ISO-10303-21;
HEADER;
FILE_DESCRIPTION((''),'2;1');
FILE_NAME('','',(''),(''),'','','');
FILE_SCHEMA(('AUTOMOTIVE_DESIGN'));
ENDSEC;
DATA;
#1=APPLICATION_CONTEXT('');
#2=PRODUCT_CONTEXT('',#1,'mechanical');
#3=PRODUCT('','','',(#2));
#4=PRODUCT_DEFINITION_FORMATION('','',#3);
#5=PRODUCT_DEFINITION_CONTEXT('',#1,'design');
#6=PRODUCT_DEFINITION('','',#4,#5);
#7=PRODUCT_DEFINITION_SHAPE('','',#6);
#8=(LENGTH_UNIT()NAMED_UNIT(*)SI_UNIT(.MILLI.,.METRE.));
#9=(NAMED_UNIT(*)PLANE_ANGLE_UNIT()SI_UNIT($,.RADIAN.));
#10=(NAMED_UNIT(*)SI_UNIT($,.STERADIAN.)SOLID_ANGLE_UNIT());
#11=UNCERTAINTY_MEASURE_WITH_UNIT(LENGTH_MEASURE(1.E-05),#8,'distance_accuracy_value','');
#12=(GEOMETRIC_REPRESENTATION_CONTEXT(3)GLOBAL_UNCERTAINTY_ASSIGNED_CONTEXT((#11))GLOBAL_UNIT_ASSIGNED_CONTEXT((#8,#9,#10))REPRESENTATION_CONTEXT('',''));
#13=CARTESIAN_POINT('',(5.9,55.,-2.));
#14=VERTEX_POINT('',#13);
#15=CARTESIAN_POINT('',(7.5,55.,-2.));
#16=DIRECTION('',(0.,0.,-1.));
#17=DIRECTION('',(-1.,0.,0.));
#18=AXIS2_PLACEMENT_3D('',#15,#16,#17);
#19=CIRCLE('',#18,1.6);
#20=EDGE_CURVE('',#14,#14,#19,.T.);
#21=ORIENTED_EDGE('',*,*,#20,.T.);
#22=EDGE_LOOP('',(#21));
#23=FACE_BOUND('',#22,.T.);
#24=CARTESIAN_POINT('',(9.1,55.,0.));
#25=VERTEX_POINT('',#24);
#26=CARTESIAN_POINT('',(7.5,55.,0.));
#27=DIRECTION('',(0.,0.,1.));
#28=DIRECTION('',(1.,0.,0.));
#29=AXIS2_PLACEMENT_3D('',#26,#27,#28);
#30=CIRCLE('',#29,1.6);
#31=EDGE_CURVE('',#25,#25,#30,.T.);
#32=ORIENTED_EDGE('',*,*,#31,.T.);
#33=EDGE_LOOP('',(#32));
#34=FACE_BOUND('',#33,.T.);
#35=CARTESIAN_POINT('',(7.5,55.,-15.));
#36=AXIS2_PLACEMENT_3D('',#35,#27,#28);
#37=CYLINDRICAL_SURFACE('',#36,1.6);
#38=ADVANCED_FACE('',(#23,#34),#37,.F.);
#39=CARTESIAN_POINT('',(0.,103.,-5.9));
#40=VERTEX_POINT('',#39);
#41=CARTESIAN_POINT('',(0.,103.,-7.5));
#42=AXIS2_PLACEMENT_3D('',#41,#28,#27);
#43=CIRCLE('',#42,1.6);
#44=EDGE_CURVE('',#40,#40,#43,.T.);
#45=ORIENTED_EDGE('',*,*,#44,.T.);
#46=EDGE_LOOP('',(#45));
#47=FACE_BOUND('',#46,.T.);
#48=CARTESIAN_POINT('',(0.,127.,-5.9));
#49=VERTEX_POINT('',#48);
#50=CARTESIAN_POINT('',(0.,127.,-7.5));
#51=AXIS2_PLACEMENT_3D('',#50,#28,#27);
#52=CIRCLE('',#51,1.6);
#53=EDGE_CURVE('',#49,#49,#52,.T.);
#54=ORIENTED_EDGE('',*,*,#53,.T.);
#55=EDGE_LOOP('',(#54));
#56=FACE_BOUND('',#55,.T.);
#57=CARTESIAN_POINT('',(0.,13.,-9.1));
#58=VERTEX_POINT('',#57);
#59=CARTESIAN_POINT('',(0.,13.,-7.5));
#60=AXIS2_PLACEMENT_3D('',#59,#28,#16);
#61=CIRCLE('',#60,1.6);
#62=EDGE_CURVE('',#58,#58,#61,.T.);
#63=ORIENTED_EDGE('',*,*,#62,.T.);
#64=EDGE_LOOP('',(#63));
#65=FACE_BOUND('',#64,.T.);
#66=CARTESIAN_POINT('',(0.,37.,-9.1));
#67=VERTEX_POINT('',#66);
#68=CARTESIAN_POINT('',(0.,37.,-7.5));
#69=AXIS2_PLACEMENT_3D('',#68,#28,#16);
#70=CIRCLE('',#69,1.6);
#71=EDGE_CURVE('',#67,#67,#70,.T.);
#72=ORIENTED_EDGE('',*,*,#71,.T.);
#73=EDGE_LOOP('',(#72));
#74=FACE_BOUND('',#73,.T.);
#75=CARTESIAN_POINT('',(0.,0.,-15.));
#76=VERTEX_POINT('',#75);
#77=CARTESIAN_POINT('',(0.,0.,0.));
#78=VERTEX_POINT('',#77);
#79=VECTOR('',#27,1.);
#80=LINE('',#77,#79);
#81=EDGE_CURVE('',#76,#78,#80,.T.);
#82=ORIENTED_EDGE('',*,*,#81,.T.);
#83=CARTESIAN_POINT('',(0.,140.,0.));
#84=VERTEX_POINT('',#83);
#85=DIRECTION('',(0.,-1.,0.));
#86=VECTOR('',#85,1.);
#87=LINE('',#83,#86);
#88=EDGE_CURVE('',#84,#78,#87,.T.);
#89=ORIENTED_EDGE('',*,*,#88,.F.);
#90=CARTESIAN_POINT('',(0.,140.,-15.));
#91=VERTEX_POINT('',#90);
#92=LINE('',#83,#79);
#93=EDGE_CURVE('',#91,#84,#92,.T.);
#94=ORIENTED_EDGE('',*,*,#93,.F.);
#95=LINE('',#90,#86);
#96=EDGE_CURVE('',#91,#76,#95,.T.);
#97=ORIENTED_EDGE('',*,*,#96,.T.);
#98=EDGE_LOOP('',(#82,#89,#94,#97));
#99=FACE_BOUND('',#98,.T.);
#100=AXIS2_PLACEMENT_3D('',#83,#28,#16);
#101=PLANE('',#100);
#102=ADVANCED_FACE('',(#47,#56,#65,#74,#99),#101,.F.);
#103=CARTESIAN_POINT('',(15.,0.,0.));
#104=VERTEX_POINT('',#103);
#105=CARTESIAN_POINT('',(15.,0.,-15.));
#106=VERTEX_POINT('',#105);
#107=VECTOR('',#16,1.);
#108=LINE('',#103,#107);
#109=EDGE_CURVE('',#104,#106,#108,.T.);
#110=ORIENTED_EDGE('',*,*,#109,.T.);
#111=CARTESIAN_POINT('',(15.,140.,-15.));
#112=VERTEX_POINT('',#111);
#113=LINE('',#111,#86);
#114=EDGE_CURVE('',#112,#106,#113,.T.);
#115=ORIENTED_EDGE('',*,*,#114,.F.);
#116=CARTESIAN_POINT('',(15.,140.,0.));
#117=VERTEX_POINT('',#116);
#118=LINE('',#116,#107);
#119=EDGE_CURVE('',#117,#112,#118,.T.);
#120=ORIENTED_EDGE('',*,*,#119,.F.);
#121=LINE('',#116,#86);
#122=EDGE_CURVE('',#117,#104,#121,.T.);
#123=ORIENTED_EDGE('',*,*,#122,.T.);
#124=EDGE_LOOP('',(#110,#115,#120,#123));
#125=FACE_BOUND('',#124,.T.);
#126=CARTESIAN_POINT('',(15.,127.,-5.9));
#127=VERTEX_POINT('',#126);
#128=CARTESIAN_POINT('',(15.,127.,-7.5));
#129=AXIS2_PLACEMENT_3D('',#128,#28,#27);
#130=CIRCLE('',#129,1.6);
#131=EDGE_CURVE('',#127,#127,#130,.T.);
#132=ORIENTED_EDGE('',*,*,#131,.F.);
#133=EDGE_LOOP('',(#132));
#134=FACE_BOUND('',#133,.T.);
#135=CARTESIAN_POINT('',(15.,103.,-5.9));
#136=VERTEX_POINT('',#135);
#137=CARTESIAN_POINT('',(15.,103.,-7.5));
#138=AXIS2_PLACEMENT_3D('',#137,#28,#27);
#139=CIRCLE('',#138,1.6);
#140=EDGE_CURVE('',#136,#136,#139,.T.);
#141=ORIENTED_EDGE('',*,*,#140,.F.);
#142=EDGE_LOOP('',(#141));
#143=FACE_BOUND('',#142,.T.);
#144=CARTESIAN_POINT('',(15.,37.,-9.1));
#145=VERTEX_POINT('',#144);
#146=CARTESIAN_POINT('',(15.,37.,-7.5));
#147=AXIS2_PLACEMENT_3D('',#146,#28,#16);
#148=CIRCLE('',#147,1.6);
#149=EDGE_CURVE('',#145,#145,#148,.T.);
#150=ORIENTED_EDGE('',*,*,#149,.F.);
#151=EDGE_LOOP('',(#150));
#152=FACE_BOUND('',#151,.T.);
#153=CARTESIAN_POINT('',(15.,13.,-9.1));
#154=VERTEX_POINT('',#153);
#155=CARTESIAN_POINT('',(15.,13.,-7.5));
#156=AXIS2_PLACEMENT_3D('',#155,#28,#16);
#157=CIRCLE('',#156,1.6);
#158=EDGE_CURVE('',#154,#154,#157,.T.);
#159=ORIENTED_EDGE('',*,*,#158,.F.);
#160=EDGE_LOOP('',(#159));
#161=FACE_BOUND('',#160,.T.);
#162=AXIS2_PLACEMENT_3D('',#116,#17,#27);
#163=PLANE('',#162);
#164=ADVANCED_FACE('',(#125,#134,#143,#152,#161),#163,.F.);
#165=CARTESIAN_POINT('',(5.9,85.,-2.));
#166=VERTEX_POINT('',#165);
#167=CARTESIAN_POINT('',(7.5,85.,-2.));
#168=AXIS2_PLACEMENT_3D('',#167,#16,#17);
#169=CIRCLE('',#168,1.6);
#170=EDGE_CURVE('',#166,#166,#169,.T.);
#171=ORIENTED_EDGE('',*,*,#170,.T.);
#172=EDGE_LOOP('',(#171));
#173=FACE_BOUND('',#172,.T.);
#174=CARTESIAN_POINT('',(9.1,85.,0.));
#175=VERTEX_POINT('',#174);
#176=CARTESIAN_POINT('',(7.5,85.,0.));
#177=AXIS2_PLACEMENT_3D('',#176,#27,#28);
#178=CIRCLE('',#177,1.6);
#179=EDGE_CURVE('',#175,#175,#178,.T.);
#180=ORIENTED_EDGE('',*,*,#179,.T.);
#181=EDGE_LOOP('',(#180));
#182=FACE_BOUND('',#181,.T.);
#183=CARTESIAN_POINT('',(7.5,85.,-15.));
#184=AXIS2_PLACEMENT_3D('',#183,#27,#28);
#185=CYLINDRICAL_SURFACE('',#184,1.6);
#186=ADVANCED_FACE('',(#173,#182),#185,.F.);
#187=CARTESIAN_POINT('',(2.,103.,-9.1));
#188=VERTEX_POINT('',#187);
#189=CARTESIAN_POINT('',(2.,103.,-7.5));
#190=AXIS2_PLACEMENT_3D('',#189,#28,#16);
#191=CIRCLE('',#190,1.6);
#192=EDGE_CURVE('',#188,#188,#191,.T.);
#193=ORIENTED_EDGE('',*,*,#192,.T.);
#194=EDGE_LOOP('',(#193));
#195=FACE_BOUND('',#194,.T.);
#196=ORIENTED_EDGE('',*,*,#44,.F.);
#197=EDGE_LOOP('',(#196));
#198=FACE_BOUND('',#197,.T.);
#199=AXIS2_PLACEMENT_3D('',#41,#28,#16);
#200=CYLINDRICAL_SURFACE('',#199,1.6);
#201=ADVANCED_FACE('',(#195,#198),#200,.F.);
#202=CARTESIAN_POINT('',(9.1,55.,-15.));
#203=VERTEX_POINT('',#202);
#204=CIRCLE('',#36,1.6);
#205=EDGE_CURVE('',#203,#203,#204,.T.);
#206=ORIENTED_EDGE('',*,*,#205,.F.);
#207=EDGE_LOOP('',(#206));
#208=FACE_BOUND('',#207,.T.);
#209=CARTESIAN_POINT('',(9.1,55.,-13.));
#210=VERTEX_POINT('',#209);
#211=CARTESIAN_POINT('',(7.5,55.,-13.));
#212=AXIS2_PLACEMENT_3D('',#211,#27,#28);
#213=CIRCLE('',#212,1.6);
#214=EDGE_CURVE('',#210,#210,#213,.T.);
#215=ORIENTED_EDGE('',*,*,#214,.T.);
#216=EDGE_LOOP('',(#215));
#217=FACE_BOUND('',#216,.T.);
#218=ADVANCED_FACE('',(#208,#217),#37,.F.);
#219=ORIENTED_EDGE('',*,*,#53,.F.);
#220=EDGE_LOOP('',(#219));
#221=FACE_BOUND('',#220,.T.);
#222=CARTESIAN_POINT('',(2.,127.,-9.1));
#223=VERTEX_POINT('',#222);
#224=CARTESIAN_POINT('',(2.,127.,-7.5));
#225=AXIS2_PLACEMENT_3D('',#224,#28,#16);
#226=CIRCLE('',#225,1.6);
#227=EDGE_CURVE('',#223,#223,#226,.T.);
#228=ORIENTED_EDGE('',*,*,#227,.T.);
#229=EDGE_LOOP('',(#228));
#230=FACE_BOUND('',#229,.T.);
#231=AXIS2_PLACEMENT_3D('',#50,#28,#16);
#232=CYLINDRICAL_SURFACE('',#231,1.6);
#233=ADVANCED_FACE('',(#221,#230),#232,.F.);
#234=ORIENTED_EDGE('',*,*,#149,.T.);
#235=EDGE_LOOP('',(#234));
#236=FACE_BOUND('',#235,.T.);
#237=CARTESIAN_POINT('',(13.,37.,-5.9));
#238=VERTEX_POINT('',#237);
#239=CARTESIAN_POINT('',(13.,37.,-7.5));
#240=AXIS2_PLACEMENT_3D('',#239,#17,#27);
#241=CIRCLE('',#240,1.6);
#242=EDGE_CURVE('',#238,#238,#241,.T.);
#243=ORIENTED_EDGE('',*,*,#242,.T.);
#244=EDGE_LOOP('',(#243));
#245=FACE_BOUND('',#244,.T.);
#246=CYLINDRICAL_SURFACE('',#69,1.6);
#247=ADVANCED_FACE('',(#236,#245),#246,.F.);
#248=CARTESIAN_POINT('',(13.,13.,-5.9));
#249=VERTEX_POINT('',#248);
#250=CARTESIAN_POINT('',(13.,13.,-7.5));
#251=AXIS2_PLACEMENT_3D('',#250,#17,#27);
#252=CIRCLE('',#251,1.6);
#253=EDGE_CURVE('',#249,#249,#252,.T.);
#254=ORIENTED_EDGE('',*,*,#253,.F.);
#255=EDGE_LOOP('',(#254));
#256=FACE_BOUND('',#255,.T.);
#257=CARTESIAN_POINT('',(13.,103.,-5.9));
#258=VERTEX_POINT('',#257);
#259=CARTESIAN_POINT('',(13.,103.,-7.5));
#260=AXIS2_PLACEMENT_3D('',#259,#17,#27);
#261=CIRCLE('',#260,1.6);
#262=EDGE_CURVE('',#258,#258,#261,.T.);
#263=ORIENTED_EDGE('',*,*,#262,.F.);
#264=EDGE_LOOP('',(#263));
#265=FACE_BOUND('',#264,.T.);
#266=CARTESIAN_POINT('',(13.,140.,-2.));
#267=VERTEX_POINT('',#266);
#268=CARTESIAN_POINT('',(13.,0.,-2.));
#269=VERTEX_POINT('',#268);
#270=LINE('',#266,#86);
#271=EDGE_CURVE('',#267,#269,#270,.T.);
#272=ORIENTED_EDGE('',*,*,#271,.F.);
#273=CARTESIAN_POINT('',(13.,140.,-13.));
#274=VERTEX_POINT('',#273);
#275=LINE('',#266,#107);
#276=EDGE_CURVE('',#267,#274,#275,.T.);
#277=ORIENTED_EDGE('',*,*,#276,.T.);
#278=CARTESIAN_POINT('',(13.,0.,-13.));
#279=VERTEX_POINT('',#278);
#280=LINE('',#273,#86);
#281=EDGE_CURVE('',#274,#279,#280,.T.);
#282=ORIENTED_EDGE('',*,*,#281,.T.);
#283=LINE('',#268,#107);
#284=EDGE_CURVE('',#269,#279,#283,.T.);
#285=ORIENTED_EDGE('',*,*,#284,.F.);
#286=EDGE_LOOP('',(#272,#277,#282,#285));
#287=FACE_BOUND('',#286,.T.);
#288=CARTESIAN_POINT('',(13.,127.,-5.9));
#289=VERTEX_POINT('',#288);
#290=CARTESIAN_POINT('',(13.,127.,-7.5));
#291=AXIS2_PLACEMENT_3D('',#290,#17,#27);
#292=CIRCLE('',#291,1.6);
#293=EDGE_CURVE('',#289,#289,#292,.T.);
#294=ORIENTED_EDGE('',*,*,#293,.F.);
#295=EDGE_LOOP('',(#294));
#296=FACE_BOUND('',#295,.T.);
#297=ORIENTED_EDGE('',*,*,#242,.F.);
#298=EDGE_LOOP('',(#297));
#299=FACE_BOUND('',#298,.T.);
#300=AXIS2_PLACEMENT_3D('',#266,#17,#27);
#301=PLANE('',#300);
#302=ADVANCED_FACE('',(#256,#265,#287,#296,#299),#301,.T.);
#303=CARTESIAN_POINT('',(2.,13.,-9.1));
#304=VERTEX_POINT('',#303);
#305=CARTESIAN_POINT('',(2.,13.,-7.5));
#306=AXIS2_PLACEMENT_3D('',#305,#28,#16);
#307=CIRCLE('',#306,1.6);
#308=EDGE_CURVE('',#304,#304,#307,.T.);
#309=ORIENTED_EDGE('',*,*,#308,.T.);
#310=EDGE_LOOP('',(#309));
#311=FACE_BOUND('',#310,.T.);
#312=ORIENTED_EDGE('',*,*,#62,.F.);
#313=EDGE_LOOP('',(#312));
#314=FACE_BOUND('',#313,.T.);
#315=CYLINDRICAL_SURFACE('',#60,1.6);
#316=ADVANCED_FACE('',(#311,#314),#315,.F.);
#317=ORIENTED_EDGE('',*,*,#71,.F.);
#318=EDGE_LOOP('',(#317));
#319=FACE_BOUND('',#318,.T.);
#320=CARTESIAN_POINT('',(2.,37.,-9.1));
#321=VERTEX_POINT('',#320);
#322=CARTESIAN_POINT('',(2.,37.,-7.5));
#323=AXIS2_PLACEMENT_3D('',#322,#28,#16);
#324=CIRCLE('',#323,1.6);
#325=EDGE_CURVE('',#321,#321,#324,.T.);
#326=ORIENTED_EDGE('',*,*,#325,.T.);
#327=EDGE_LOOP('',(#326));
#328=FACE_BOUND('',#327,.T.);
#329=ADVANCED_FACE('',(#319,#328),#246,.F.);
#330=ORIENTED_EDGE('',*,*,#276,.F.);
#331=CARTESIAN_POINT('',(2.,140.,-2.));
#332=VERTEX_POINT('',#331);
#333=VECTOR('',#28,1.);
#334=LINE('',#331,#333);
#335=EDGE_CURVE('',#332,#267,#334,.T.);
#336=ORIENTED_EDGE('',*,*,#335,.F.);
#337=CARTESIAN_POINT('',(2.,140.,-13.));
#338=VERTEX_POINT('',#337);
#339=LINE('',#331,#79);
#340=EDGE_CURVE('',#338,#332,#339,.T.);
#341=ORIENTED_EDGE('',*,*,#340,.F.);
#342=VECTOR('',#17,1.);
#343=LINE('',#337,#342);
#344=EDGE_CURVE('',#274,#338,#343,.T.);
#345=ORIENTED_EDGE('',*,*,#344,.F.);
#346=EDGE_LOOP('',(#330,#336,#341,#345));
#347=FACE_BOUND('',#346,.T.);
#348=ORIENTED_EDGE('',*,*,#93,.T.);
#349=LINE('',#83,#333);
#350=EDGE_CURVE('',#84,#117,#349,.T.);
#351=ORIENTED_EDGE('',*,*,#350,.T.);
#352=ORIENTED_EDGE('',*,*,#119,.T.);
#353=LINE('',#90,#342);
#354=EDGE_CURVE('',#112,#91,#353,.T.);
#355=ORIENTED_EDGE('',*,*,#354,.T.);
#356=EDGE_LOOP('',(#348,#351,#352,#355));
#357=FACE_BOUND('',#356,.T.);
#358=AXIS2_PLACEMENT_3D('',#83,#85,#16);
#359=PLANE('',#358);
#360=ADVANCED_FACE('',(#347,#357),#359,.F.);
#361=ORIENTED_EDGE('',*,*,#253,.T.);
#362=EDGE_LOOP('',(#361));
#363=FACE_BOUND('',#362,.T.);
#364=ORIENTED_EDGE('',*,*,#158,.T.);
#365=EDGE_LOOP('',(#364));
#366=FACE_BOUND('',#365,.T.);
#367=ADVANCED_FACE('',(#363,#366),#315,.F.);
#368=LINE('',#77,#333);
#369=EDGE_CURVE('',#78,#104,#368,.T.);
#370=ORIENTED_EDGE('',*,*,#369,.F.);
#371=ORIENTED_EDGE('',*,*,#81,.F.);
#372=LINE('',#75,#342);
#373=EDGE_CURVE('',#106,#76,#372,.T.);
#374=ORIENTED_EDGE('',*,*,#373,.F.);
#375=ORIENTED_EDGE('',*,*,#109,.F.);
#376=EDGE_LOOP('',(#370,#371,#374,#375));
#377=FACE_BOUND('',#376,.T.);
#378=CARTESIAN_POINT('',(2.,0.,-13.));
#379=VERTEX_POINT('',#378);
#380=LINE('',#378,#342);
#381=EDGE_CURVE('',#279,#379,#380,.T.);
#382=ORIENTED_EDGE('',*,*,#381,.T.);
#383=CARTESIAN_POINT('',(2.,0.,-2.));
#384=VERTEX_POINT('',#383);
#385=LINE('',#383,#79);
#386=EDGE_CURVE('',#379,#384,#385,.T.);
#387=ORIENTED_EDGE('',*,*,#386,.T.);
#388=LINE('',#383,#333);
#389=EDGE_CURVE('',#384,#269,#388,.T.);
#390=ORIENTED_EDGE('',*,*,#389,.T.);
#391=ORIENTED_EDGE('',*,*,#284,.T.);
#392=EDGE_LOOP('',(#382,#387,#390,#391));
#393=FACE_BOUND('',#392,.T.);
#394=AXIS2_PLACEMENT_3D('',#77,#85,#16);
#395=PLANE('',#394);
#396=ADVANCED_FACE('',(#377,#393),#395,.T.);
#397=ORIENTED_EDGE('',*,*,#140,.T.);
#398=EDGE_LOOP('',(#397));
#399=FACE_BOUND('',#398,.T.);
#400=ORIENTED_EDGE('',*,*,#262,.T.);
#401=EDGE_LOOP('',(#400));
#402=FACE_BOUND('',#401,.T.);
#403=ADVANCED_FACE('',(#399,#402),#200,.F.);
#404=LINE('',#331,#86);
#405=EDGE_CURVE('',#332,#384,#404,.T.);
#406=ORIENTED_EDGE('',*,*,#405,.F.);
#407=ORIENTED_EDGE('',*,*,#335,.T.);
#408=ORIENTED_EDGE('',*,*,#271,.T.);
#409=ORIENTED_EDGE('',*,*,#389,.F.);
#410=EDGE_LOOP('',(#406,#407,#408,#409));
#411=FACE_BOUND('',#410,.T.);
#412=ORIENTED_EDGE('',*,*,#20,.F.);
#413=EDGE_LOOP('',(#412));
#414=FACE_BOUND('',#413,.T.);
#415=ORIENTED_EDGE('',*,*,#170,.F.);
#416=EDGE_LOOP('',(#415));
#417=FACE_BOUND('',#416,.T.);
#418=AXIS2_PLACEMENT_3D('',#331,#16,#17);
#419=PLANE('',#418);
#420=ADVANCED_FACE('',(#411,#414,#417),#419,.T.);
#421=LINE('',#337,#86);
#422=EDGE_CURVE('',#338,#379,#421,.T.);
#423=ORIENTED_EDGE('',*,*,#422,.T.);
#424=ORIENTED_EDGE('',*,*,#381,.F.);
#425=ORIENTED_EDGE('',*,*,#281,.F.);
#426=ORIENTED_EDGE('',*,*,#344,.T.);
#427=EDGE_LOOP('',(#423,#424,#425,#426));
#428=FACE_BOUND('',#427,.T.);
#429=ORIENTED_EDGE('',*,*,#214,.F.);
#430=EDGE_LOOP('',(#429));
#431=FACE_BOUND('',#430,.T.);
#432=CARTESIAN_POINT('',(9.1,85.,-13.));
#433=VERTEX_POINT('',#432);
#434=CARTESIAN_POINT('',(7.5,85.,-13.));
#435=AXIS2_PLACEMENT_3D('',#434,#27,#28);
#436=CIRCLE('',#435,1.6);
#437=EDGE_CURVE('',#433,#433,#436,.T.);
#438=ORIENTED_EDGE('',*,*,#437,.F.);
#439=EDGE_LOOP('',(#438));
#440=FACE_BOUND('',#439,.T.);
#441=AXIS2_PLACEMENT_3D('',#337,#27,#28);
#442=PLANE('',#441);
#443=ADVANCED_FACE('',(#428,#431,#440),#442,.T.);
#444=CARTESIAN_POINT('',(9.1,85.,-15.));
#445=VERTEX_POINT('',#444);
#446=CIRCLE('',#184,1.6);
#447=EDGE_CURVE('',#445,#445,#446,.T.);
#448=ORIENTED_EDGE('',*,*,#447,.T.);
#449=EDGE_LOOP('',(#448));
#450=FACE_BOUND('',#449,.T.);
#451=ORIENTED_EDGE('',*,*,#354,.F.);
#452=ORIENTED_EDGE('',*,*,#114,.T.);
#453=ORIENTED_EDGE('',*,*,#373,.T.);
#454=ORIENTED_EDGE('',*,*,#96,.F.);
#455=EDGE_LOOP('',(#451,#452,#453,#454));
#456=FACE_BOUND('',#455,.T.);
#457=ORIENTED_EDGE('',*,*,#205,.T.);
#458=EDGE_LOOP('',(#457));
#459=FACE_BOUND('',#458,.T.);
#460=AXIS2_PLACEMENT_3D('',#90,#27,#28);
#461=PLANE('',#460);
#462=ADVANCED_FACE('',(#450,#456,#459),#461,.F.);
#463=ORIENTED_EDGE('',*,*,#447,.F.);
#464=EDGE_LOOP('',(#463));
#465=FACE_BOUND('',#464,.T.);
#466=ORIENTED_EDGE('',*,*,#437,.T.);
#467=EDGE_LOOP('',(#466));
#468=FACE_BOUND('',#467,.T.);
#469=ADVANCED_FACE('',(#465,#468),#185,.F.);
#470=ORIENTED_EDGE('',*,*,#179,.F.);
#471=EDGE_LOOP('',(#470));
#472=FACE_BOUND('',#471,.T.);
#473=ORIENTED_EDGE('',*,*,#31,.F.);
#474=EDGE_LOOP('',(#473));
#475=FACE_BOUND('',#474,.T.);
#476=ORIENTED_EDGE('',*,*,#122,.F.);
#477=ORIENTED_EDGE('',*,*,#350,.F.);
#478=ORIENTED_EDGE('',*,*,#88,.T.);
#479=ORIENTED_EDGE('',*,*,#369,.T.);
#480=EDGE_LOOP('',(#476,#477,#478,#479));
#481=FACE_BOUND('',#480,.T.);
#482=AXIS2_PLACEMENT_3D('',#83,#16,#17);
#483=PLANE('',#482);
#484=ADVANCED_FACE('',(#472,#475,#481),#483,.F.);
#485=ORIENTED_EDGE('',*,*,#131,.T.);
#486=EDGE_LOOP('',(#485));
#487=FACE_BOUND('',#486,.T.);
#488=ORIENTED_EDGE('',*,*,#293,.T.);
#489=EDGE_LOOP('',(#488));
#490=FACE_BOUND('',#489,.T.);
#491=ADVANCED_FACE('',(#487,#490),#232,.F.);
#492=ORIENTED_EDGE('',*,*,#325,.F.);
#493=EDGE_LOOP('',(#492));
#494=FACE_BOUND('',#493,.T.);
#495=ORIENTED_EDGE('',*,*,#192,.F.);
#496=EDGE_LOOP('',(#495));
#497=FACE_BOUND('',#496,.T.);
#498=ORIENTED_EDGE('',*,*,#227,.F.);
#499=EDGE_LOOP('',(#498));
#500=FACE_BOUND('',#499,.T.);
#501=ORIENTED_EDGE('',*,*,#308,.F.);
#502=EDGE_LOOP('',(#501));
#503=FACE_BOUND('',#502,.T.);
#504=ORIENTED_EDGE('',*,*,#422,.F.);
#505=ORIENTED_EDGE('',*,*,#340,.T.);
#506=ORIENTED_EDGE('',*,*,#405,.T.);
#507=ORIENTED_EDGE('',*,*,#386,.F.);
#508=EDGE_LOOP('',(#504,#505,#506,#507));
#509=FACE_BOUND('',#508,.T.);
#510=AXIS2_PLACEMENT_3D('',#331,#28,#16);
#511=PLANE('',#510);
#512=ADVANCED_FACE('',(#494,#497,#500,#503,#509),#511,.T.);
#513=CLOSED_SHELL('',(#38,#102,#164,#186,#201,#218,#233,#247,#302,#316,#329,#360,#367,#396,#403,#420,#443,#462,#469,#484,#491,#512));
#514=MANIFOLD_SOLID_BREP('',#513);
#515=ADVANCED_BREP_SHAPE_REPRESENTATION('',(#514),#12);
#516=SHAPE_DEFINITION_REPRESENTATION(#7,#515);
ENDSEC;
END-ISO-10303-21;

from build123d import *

# Parameters (mm, degrees)
SKETCH1_W           = 15
SKETCH1_H           = 15
SKETCH1_W_2         = 11
SKETCH1_H_2         = 11
BOSS_EXTRUDE1_DEPTH = 140
SKETCH2_R           = 1.6
CUT_EXTRUDE1_DEPTH  = 142.598022585
SKETCH3_R           = 1.6
CUT_EXTRUDE2_DEPTH  = 142.598022585


with BuildPart() as part:
    # Sketch1 → Boss-Extrude1 (new body)
    with BuildSketch(Plane(origin=(0, 0, 0), x_dir=(1, 0, 0), z_dir=(0, 1, 0))):
        with Locations((7.5, 7.5)):
            Rectangle(SKETCH1_W, SKETCH1_H)
        with Locations((7.5, 7.5)):
            Rectangle(SKETCH1_W_2, SKETCH1_H_2, mode=Mode.SUBTRACT)
    extrude(amount=BOSS_EXTRUDE1_DEPTH)

    # Sketch2 → Cut-Extrude1 (cut, through all)
    with BuildSketch(Plane(origin=(15, 0, 0), x_dir=(0, 0, -1), z_dir=(1, 0, 0))):
        with Locations((7.5, 13)):
            Circle(SKETCH2_R)
        with Locations((7.5, 37)):
            Circle(SKETCH2_R)
        with Locations((7.5, 103)):
            Circle(SKETCH2_R)
        with Locations((7.5, 127)):
            Circle(SKETCH2_R)
    extrude(amount=-CUT_EXTRUDE1_DEPTH, mode=Mode.SUBTRACT)

    # Sketch3 → Cut-Extrude2 (cut, through all)
    with BuildSketch(Plane.XY):
        with Locations((7.5, 85)):
            Circle(SKETCH3_R)
        with Locations((7.5, 55)):
            Circle(SKETCH3_R)
    extrude(amount=-CUT_EXTRUDE2_DEPTH, mode=Mode.SUBTRACT)


solid = part.part
